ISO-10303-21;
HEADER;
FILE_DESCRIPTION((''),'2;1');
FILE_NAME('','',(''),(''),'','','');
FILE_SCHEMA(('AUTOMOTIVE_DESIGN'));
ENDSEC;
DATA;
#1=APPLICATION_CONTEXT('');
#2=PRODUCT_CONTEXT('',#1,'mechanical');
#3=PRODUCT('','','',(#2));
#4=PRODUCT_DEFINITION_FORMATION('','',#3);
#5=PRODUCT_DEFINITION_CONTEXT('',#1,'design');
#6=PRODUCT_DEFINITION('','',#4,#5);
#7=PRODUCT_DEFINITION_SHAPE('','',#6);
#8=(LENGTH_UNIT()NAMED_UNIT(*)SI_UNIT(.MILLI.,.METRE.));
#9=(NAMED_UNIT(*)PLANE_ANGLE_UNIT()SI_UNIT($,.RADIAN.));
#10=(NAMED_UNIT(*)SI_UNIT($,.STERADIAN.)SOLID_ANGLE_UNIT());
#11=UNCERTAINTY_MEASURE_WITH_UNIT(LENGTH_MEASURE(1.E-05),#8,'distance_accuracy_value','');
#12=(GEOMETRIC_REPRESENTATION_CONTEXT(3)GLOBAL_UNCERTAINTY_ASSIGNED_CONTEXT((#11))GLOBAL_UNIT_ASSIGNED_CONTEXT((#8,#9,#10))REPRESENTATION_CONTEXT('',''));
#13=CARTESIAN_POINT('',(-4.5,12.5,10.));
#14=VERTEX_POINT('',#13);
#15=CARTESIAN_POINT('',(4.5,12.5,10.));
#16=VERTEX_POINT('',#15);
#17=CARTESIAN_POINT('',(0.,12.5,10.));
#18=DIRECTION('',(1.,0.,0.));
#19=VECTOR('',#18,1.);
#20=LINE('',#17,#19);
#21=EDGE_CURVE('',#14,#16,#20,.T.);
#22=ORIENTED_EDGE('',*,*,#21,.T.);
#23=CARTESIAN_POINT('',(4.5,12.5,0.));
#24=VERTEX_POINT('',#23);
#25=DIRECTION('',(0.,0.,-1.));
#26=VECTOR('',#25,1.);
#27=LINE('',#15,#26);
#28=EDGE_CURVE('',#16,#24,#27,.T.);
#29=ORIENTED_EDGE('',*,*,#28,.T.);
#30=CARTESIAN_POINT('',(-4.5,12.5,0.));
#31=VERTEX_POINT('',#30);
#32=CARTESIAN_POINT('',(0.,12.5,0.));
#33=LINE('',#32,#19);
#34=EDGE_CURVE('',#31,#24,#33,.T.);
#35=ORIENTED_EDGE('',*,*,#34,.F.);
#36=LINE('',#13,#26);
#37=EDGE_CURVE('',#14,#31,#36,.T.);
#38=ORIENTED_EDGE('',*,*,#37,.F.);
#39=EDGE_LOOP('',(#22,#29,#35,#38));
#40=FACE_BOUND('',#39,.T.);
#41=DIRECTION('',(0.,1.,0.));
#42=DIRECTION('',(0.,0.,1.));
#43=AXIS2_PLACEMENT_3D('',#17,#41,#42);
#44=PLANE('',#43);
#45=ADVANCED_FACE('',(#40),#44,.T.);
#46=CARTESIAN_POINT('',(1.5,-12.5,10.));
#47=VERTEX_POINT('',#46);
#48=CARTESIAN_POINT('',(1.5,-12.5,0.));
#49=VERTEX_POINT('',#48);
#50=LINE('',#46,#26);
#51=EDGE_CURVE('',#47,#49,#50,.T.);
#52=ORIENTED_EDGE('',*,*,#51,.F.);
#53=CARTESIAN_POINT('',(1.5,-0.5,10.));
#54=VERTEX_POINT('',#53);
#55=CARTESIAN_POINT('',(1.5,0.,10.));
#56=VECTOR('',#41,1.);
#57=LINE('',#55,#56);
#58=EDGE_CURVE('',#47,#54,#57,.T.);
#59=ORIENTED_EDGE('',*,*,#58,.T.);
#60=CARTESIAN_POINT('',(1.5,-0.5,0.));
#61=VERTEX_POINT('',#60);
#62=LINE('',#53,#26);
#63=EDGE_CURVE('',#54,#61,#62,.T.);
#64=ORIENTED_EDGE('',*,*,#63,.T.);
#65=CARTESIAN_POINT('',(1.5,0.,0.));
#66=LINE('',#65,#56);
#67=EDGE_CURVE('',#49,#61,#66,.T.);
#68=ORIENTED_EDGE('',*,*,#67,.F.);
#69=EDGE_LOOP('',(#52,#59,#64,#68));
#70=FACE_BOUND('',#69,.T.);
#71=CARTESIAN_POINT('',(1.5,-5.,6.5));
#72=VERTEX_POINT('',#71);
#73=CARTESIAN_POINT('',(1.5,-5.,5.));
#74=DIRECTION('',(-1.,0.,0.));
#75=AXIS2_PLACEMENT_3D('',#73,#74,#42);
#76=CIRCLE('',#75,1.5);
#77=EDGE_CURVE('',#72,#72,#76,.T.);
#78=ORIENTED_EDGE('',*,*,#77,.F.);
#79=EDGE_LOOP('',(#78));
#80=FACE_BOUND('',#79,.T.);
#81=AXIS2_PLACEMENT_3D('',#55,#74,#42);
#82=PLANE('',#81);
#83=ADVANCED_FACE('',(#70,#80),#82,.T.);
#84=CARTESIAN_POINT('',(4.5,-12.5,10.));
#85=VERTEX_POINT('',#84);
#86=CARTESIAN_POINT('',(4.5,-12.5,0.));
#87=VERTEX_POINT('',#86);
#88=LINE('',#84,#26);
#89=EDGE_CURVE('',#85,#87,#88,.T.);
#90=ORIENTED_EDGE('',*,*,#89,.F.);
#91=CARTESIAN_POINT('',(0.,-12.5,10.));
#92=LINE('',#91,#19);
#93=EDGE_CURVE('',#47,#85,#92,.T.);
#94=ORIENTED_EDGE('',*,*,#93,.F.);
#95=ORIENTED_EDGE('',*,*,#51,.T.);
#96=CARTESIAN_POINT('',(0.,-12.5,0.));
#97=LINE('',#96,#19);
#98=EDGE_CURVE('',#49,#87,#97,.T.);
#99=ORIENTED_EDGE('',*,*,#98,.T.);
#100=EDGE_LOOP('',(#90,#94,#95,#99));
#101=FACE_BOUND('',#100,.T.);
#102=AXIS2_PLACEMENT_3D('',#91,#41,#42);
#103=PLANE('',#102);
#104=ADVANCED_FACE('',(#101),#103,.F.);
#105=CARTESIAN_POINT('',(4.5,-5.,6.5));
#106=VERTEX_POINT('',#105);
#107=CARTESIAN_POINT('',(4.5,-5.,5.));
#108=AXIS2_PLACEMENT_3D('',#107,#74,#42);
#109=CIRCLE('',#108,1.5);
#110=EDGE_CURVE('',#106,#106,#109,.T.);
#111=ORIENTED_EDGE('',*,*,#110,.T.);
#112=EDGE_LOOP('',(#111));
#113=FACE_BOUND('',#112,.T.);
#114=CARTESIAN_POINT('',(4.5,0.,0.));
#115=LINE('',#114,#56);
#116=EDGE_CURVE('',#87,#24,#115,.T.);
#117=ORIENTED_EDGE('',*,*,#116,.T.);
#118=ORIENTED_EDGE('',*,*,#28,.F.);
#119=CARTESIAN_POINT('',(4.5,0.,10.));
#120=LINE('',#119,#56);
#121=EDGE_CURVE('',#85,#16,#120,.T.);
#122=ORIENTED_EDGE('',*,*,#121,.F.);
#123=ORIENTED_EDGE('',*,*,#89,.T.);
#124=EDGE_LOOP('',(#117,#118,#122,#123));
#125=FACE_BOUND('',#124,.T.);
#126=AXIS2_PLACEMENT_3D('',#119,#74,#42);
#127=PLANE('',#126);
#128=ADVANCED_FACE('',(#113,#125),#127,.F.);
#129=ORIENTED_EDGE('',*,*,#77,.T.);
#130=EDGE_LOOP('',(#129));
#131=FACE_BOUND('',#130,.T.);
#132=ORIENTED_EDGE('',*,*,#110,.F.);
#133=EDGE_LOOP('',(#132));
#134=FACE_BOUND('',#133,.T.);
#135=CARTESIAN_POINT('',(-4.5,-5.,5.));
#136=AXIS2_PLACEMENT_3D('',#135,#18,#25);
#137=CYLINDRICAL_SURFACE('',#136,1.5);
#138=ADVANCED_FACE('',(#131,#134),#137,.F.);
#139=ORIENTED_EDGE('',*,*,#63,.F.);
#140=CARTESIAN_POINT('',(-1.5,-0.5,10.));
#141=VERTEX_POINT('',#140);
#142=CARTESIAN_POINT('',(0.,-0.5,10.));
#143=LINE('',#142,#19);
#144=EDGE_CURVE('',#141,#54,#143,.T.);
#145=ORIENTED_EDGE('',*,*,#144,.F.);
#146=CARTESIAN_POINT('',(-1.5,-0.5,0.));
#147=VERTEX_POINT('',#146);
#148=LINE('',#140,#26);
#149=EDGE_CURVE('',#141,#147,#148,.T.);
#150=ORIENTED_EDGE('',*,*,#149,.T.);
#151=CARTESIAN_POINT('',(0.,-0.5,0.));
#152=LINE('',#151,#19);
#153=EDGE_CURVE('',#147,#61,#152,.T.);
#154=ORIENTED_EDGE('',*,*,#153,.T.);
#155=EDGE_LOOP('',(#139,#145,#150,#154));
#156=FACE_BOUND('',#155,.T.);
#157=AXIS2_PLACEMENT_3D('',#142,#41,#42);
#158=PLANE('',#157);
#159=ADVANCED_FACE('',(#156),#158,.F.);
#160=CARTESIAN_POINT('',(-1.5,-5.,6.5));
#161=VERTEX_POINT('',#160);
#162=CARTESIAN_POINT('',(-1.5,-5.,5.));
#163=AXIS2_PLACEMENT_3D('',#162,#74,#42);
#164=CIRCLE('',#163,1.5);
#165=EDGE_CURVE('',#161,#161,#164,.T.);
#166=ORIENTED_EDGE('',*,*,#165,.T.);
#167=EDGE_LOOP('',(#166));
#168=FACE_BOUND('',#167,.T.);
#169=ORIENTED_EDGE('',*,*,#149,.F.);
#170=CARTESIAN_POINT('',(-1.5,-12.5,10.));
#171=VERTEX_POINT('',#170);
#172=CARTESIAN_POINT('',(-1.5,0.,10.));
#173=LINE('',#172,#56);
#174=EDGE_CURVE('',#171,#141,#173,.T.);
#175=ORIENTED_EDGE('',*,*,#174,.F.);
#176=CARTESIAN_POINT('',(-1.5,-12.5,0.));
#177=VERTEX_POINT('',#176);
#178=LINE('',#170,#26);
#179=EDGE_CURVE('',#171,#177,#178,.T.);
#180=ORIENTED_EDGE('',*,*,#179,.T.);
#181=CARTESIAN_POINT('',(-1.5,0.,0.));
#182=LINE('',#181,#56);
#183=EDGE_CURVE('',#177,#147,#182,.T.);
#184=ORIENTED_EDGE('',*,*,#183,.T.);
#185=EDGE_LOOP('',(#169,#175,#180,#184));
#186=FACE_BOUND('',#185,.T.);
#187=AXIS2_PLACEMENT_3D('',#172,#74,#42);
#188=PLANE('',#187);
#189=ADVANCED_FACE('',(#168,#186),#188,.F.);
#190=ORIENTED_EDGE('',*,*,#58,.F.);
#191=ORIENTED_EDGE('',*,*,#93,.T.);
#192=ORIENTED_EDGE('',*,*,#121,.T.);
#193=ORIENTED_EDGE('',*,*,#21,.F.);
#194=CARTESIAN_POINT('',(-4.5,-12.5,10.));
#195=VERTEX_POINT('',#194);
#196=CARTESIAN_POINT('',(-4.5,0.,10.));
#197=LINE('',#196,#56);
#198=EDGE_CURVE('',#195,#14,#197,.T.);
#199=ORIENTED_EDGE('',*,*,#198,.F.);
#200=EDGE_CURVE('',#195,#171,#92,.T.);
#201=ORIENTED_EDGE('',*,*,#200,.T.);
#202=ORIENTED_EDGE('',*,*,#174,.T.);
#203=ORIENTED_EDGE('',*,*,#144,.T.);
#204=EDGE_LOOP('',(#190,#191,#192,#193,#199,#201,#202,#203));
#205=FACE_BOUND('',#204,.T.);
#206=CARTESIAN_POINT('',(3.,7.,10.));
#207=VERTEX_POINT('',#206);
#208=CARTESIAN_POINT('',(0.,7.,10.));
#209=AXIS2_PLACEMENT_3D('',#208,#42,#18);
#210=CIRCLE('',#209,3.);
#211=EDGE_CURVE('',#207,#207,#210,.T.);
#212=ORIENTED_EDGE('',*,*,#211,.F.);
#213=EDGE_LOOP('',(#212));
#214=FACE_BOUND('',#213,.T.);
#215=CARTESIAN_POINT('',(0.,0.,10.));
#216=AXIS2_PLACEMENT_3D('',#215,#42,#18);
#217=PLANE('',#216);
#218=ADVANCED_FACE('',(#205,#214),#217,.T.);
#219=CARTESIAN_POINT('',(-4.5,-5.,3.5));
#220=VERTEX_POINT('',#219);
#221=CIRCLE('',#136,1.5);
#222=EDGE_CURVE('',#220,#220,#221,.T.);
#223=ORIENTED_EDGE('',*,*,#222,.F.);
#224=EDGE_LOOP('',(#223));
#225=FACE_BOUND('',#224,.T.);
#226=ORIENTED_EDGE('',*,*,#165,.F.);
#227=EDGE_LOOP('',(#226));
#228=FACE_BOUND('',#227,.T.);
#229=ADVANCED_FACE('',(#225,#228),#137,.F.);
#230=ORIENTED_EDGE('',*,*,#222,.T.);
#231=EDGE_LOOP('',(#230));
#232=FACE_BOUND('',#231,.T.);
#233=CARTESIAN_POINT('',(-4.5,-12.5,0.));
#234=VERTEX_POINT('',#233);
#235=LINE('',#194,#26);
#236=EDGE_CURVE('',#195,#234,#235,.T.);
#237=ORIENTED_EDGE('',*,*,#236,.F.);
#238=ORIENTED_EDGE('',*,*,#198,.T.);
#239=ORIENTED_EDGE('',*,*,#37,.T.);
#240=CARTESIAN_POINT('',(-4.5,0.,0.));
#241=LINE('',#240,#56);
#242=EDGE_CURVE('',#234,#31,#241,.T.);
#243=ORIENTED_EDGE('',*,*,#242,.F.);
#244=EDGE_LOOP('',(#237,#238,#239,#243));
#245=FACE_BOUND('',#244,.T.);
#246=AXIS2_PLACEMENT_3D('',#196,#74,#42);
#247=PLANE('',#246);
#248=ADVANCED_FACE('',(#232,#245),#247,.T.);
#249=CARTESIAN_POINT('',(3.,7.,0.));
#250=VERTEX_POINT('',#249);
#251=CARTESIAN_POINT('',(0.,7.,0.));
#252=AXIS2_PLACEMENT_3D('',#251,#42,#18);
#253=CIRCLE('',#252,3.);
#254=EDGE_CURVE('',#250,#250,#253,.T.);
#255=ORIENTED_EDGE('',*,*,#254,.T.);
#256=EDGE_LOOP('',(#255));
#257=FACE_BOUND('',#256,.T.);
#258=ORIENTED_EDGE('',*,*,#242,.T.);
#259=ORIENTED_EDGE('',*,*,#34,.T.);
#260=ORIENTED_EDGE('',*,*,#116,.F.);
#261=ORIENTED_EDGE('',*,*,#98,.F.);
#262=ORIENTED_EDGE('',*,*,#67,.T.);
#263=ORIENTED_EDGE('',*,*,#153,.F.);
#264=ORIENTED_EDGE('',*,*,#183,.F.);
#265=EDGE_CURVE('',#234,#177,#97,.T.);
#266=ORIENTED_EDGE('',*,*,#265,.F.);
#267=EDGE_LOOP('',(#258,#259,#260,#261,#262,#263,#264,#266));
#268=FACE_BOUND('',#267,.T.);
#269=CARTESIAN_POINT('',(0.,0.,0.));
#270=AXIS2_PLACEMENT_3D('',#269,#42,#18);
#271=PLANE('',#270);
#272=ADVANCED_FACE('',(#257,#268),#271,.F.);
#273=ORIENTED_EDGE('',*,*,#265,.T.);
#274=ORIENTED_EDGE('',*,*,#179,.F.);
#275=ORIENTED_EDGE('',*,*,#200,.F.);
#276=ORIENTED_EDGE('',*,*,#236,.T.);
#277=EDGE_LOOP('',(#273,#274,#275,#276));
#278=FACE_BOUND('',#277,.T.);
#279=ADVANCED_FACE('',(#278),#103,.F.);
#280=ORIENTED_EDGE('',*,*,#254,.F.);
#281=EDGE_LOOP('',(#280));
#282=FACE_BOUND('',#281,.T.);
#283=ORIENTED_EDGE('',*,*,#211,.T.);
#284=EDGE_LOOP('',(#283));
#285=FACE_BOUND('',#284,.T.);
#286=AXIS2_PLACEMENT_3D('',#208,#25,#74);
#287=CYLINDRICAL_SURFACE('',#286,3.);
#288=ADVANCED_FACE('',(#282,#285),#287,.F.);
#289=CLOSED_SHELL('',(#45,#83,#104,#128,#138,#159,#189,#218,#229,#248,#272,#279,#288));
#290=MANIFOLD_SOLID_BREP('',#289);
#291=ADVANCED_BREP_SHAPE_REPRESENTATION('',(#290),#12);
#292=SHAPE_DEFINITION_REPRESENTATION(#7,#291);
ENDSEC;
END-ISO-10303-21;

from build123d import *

# Parameters (mm, degrees)
BOSS_EXTRUDE1_DEPTH     = 10
SKETCH3_R               = 1.5
CUT_EXTRUDE1_DEPTH      = 1
CUT_EXTRUDE1_DEPTH_BACK = 10


with BuildPart() as part:
    # Sketch1 → Boss-Extrude1 (new body)
    with BuildSketch(Plane.XY):
        Polygon((-1.5, -0.5), (0, -0.5), (1.5, -0.5), (1.5, -12.5), (4.5, -12.5), (4.5, 12.5), (-4.5, 12.5), (-4.5, -12.5), (-1.5, -12.5), align=None)
        with BuildLine():
            ThreePointArc((3, 7), (2.121320344, 4.878679656), (0, 4))
            ThreePointArc((0, 4), (-2.121320344, 9.121320344), (3, 7))
        make_face(mode=Mode.SUBTRACT)
    extrude(amount=BOSS_EXTRUDE1_DEPTH)

    # Sketch3 → Cut-Extrude1 (cut, two sides)
    with BuildSketch(Plane(origin=(4.5, 0, 0), x_dir=(0, 0, -1), z_dir=(1, 0, 0))) as cut_extrude1_sk:
        with Locations((-5, -5)):
            Circle(SKETCH3_R)
    extrude(amount=CUT_EXTRUDE1_DEPTH, mode=Mode.SUBTRACT)
    extrude(cut_extrude1_sk.sketch, amount=-CUT_EXTRUDE1_DEPTH_BACK, mode=Mode.SUBTRACT)


solid = part.part
